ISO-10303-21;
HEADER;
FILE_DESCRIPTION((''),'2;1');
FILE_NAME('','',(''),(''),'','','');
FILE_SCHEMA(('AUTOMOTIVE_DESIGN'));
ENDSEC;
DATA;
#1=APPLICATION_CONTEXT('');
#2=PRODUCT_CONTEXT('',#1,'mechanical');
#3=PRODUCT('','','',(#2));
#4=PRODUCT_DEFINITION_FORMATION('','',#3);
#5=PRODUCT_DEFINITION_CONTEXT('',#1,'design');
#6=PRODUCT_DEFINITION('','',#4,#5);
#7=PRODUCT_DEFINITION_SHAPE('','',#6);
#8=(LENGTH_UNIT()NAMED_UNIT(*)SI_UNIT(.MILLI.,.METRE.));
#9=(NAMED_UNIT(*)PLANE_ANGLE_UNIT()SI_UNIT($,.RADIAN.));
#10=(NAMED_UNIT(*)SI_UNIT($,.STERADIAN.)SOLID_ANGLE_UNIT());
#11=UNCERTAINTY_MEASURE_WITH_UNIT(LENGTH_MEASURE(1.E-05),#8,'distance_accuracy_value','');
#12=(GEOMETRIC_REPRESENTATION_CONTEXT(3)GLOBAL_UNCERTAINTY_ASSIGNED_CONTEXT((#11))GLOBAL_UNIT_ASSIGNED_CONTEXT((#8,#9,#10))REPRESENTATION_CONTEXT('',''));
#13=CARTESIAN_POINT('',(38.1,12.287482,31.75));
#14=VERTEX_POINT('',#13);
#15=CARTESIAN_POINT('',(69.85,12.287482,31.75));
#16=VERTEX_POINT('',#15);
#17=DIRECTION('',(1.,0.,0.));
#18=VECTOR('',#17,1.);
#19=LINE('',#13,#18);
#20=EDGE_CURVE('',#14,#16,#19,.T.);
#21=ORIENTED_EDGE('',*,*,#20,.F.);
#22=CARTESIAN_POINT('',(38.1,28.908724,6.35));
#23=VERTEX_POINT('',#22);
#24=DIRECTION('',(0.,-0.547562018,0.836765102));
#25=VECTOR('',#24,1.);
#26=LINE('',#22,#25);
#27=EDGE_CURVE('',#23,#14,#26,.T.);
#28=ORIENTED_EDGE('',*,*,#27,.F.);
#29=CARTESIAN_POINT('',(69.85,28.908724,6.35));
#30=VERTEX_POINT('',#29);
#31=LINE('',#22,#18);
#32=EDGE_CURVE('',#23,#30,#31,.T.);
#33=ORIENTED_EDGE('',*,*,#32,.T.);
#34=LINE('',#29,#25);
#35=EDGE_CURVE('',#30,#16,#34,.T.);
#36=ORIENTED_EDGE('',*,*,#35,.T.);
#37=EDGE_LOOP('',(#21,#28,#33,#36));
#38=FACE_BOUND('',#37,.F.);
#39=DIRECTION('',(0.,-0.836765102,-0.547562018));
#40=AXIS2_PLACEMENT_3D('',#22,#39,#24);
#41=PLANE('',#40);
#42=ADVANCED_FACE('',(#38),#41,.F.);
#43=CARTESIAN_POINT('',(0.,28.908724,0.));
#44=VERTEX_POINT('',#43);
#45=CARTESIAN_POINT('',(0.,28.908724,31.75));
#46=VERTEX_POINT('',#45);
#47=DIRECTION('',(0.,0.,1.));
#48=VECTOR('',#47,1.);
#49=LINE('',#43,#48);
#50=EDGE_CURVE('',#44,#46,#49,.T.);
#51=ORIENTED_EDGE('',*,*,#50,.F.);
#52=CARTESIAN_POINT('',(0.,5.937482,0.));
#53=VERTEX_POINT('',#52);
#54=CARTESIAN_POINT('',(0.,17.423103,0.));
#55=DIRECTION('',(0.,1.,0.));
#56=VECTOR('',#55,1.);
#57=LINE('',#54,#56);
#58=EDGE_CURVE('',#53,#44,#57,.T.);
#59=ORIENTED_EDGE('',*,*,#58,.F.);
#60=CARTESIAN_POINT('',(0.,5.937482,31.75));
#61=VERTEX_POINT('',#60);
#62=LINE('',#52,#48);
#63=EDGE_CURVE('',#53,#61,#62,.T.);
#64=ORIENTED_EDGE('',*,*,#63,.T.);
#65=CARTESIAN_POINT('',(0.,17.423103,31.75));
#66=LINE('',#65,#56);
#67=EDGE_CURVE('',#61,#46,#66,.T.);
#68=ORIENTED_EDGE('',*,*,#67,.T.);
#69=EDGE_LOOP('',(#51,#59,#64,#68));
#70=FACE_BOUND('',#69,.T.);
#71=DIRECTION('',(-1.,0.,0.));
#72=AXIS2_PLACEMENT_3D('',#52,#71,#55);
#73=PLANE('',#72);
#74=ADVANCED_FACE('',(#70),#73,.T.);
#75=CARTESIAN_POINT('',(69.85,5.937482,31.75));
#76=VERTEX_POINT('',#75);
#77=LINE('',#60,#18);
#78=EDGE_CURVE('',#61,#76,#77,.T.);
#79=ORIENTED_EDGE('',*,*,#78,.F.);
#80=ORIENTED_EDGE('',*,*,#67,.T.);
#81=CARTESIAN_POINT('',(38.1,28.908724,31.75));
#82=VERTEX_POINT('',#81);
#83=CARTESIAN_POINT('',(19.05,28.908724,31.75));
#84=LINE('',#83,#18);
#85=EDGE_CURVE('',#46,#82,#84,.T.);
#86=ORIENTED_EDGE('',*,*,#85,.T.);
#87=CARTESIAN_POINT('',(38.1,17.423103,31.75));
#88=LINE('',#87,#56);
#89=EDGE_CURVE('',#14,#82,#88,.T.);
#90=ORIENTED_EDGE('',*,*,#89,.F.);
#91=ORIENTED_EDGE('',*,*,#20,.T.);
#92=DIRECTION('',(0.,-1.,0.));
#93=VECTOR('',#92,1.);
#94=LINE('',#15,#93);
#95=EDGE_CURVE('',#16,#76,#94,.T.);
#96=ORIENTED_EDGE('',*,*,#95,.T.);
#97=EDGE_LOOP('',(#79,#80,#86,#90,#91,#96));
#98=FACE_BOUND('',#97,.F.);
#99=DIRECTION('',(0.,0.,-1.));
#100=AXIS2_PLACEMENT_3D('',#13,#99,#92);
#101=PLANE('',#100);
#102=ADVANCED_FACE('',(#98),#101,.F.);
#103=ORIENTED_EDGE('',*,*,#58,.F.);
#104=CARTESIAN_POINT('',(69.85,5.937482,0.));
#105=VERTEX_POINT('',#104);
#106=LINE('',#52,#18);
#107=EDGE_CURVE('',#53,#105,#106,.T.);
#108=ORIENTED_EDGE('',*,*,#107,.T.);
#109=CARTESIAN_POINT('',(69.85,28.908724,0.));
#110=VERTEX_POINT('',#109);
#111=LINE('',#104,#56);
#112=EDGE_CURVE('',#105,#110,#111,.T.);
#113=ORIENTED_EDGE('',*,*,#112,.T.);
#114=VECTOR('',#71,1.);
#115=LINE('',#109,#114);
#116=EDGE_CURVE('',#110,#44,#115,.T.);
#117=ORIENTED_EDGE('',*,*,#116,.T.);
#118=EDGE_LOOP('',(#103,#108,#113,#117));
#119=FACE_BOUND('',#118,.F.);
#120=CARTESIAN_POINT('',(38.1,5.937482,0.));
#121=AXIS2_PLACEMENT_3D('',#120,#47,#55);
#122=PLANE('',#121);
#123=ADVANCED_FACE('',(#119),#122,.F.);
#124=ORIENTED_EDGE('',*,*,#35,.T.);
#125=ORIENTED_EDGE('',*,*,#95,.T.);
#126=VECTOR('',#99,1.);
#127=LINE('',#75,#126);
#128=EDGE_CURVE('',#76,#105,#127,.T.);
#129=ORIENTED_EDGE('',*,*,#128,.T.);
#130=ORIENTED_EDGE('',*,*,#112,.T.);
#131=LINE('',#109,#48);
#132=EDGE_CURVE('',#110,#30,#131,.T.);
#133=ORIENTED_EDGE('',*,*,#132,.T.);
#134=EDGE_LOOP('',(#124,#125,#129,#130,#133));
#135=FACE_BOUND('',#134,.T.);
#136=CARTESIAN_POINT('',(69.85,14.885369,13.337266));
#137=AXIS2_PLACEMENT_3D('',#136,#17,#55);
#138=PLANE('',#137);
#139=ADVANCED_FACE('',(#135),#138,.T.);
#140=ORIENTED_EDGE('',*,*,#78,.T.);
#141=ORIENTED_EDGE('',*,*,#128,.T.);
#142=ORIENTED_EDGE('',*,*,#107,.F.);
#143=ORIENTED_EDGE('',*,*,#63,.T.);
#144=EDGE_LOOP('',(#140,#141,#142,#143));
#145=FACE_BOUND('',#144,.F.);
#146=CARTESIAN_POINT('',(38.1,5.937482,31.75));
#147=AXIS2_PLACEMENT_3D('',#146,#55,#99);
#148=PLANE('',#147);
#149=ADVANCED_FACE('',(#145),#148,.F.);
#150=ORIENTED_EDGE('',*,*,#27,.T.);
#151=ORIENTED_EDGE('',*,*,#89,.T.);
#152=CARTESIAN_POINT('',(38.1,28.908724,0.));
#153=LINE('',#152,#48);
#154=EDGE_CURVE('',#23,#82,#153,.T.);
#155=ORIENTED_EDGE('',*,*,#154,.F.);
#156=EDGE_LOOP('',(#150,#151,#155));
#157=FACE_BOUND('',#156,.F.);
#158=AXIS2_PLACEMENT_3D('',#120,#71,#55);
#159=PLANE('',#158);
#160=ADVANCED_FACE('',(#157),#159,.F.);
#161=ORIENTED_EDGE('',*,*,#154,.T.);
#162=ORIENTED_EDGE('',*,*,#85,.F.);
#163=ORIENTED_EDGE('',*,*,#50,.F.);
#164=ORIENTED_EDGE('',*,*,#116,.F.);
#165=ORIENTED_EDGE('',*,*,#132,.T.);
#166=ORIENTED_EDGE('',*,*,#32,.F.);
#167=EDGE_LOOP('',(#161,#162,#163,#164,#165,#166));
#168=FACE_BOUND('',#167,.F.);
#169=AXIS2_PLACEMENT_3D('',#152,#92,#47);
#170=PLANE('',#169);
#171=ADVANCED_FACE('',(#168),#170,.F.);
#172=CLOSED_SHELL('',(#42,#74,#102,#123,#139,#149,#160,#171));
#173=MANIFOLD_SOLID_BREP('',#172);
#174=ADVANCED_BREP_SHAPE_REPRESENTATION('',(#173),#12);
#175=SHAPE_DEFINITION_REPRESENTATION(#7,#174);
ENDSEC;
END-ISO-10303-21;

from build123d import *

# Parameters (mm, degrees)
F0_W     = 38.1
F0_H     = 22.971242
F1_DEPTH = 31.75
F3_DEPTH = 31.75


with BuildPart() as f1:
    # F0 (on Top) → F1 (new body)
    with BuildSketch(Plane.XY):
        with Locations((19.05, 17.423103)):
            Rectangle(F0_W, F0_H)
    extrude(amount=F1_DEPTH)

    # F2 (on face) → F3 (join)
    with BuildSketch(Plane.YZ.offset(38.1)):
        Polygon((12.287482, 31.75), (5.937482, 31.75), (5.937482, 0), (28.908724, 0), (28.908724, 6.35), align=None)
    extrude(amount=F3_DEPTH)


solid = f1.part
